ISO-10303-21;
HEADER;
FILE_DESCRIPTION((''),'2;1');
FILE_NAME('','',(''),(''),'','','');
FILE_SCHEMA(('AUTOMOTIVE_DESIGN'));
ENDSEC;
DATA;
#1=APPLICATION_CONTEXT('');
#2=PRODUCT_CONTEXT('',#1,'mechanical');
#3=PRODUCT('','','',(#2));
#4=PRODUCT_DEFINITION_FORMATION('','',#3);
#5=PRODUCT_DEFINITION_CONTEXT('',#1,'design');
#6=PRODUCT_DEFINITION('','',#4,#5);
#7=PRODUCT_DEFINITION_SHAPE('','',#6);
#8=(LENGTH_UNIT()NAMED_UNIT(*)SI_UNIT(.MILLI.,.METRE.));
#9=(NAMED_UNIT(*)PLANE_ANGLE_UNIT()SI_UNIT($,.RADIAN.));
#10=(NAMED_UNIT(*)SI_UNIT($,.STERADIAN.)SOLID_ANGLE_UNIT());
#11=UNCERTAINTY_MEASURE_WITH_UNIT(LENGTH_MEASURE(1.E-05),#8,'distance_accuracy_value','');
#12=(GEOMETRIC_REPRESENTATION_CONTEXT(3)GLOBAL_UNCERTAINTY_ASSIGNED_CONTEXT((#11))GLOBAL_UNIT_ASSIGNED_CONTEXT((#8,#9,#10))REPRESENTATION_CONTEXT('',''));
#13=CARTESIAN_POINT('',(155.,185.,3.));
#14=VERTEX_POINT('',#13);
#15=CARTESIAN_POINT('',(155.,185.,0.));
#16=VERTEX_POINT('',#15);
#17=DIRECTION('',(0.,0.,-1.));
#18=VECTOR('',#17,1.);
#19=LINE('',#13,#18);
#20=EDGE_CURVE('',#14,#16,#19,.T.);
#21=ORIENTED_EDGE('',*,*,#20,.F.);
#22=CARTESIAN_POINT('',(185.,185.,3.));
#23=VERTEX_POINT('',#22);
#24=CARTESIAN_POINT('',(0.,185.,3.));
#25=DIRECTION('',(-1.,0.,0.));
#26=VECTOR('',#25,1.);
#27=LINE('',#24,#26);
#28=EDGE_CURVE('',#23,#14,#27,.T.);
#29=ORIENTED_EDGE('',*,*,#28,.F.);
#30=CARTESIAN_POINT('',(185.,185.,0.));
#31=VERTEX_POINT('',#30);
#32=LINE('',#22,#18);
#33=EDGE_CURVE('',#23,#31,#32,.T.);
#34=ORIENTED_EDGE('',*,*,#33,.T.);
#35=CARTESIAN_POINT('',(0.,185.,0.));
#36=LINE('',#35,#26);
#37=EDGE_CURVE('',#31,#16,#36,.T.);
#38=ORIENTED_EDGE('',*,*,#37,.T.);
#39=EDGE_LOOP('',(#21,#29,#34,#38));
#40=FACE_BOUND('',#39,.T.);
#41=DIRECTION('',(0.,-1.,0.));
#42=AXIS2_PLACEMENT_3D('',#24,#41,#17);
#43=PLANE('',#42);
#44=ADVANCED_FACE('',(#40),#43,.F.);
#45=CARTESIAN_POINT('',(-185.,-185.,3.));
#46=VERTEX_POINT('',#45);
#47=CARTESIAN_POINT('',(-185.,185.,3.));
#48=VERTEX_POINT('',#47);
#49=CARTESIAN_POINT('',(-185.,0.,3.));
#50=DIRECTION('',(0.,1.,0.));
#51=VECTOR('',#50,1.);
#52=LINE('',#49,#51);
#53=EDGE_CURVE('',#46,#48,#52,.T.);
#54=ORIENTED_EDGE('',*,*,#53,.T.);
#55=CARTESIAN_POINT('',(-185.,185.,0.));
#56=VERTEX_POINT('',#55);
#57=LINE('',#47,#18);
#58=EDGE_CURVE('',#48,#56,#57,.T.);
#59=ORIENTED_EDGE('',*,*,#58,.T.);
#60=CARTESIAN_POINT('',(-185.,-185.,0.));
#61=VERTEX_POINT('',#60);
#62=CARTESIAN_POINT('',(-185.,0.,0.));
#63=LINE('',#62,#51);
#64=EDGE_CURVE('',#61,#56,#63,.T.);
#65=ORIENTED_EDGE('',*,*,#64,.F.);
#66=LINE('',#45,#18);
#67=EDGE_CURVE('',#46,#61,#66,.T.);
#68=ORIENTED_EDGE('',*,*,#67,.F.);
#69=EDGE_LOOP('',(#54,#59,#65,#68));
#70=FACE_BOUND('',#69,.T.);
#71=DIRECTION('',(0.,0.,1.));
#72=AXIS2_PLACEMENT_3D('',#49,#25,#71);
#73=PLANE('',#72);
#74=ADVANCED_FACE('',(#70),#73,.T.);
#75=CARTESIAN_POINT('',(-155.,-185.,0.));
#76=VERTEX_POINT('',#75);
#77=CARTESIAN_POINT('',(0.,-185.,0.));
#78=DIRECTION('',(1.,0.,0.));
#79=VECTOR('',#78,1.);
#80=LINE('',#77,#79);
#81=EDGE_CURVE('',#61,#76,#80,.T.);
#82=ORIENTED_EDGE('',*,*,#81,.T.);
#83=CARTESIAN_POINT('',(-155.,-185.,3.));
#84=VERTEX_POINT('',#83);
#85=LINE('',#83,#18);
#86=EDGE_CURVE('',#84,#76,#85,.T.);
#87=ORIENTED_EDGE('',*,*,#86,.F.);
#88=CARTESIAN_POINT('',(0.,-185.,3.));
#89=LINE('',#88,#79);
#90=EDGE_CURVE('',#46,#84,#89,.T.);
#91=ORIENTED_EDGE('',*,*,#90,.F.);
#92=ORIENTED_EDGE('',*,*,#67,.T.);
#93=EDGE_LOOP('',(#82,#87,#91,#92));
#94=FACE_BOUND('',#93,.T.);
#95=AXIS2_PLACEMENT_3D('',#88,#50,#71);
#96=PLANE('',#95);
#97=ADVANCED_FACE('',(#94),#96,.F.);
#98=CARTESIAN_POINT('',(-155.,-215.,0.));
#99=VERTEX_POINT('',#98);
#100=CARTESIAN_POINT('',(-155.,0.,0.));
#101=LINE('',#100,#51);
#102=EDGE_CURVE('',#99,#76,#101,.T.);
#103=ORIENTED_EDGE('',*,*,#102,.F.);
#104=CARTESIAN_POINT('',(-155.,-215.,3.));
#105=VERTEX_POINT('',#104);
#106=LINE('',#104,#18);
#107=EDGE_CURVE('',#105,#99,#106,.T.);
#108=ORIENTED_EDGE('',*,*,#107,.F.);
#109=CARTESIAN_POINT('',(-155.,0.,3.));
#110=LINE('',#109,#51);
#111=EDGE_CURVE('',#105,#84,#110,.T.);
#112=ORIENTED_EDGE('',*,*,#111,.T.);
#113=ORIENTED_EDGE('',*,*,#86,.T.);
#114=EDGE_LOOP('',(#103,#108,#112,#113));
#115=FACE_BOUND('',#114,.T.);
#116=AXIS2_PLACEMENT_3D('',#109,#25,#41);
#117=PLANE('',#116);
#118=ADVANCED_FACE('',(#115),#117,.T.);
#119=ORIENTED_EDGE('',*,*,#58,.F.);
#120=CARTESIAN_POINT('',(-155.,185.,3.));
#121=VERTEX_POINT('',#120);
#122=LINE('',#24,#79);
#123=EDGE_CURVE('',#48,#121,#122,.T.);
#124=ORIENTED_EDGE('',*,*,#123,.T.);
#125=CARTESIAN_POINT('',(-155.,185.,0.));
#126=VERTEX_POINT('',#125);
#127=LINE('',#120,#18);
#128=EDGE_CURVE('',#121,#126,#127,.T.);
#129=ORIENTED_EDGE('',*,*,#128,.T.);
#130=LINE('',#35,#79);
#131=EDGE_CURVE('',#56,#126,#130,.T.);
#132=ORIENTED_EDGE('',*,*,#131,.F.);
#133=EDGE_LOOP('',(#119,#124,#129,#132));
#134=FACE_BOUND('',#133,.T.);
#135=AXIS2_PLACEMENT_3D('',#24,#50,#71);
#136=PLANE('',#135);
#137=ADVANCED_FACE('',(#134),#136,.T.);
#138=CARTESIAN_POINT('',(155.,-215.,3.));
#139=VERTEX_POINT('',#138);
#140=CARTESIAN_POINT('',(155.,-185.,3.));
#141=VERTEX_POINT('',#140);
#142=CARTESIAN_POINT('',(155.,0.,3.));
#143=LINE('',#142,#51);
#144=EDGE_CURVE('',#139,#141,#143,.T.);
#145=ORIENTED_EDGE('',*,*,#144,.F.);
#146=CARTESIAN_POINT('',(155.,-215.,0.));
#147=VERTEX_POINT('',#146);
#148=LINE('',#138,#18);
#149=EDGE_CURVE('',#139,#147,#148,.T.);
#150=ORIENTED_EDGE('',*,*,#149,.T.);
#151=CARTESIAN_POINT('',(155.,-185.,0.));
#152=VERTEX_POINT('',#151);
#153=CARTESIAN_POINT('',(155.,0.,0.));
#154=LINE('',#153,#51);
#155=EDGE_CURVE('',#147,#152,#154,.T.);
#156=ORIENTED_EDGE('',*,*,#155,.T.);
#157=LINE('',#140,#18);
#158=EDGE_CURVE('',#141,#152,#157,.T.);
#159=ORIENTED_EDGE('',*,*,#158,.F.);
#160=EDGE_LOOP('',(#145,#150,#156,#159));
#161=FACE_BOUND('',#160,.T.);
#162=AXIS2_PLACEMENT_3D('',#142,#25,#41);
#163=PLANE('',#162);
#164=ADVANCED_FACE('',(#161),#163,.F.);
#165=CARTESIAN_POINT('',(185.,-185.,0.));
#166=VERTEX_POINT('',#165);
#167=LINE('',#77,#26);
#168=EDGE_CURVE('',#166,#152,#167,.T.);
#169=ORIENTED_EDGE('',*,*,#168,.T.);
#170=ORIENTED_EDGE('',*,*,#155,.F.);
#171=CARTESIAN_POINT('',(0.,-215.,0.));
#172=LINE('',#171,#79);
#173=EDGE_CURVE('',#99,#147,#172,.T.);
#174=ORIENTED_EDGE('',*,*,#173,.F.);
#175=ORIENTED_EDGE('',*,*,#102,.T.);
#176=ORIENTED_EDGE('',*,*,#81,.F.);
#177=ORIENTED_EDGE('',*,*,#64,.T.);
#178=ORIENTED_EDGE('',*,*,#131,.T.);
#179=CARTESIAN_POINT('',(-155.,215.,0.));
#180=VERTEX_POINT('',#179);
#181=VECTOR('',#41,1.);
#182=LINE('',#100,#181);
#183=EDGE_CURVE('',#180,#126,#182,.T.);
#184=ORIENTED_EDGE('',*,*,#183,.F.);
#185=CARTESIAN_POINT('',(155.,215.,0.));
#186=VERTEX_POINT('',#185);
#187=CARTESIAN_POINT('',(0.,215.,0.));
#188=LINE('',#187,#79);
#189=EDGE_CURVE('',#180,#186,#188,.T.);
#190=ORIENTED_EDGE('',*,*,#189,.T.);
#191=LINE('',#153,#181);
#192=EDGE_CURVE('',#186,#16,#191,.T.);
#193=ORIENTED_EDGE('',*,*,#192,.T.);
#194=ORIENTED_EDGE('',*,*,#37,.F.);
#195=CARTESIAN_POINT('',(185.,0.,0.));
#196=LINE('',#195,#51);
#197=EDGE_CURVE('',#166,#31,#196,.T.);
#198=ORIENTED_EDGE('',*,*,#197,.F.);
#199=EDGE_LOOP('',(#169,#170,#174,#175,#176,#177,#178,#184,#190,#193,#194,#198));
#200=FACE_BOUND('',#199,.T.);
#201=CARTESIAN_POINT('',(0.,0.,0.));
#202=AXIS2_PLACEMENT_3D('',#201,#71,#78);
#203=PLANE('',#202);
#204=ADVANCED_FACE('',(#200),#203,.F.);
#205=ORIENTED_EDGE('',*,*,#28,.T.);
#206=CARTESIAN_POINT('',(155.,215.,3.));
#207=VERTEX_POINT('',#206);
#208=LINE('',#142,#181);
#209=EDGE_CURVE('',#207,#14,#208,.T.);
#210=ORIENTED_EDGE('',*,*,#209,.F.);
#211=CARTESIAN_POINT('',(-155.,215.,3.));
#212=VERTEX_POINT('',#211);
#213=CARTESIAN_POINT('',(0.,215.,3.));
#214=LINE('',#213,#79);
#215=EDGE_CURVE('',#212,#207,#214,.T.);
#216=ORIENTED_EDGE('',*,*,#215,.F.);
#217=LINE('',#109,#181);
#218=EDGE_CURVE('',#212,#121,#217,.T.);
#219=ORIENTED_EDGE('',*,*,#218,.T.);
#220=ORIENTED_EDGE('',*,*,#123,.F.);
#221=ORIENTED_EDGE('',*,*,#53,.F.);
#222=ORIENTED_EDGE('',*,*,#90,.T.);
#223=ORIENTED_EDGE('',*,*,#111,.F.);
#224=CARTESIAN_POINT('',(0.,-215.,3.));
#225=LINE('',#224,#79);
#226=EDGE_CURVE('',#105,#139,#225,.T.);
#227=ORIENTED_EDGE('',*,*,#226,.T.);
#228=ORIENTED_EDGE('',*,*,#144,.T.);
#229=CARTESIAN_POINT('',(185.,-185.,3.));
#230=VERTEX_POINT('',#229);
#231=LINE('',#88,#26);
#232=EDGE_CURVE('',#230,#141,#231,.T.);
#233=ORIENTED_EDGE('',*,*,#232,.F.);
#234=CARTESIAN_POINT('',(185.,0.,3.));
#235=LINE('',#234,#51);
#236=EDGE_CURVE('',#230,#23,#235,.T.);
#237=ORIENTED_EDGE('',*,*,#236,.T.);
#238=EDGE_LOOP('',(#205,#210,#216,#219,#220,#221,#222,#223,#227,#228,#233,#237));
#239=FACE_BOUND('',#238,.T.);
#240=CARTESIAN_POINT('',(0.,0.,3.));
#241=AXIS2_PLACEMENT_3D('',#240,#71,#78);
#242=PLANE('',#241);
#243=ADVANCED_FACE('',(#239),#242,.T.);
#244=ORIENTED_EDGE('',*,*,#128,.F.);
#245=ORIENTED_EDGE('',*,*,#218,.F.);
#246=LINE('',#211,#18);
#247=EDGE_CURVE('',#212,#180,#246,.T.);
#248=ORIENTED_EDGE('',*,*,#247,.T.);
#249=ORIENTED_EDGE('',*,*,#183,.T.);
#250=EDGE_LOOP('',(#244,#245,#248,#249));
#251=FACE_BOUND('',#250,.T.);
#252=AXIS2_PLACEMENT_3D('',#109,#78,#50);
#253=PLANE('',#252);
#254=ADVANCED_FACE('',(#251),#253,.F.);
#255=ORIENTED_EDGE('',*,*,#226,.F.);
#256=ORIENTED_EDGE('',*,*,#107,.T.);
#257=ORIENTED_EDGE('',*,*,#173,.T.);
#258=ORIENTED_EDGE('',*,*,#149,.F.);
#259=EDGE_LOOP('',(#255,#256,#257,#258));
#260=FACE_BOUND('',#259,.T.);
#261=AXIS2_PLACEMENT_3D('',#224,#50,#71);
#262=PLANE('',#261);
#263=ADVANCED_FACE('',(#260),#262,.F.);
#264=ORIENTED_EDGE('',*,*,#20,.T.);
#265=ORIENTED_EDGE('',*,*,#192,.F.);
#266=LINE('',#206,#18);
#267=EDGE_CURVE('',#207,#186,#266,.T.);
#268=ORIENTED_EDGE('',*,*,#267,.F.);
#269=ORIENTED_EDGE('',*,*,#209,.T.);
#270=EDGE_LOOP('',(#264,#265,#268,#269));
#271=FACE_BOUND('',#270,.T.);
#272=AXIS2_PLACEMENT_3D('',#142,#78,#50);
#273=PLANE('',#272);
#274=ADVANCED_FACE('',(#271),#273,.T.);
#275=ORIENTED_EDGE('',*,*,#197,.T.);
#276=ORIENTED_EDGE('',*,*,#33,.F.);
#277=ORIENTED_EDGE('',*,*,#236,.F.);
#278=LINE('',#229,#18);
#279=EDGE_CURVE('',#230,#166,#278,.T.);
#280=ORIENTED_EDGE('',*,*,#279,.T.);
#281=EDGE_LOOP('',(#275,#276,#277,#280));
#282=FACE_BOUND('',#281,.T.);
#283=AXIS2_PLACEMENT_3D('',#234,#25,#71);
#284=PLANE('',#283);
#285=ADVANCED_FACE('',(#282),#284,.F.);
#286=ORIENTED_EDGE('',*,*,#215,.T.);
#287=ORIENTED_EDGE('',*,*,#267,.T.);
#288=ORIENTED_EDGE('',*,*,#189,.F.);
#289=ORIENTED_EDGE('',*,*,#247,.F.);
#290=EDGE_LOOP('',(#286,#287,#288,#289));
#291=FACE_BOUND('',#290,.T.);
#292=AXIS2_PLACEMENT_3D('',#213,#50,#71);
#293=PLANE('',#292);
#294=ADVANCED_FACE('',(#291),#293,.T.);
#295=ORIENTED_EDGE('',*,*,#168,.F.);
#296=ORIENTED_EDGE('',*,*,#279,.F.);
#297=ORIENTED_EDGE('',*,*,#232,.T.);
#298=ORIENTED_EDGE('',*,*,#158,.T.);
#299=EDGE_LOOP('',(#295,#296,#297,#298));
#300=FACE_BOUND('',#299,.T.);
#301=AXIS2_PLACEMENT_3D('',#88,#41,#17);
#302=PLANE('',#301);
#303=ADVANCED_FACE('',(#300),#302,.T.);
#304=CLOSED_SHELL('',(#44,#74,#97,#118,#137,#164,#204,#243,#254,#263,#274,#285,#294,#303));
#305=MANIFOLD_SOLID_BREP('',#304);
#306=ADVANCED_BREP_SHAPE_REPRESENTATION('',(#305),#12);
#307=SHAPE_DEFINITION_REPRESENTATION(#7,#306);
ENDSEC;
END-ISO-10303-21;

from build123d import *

# Parameters (mm, degrees)
EXTRUDE_1_DEPTH = 3


with BuildPart() as part:
    # 스케치1 → 보스-돌출1 (new body)
    with BuildSketch(Plane.XY):
        Polygon((-155, -185), (-155, -215), (155, -215), (155, -185), (185, -185), (185, 185), (155, 185), (155, 215), (-155, 215), (-155, 185), (-185, 185), (-185, -185), align=None)
    extrude(amount=EXTRUDE_1_DEPTH)


solid = part.part
